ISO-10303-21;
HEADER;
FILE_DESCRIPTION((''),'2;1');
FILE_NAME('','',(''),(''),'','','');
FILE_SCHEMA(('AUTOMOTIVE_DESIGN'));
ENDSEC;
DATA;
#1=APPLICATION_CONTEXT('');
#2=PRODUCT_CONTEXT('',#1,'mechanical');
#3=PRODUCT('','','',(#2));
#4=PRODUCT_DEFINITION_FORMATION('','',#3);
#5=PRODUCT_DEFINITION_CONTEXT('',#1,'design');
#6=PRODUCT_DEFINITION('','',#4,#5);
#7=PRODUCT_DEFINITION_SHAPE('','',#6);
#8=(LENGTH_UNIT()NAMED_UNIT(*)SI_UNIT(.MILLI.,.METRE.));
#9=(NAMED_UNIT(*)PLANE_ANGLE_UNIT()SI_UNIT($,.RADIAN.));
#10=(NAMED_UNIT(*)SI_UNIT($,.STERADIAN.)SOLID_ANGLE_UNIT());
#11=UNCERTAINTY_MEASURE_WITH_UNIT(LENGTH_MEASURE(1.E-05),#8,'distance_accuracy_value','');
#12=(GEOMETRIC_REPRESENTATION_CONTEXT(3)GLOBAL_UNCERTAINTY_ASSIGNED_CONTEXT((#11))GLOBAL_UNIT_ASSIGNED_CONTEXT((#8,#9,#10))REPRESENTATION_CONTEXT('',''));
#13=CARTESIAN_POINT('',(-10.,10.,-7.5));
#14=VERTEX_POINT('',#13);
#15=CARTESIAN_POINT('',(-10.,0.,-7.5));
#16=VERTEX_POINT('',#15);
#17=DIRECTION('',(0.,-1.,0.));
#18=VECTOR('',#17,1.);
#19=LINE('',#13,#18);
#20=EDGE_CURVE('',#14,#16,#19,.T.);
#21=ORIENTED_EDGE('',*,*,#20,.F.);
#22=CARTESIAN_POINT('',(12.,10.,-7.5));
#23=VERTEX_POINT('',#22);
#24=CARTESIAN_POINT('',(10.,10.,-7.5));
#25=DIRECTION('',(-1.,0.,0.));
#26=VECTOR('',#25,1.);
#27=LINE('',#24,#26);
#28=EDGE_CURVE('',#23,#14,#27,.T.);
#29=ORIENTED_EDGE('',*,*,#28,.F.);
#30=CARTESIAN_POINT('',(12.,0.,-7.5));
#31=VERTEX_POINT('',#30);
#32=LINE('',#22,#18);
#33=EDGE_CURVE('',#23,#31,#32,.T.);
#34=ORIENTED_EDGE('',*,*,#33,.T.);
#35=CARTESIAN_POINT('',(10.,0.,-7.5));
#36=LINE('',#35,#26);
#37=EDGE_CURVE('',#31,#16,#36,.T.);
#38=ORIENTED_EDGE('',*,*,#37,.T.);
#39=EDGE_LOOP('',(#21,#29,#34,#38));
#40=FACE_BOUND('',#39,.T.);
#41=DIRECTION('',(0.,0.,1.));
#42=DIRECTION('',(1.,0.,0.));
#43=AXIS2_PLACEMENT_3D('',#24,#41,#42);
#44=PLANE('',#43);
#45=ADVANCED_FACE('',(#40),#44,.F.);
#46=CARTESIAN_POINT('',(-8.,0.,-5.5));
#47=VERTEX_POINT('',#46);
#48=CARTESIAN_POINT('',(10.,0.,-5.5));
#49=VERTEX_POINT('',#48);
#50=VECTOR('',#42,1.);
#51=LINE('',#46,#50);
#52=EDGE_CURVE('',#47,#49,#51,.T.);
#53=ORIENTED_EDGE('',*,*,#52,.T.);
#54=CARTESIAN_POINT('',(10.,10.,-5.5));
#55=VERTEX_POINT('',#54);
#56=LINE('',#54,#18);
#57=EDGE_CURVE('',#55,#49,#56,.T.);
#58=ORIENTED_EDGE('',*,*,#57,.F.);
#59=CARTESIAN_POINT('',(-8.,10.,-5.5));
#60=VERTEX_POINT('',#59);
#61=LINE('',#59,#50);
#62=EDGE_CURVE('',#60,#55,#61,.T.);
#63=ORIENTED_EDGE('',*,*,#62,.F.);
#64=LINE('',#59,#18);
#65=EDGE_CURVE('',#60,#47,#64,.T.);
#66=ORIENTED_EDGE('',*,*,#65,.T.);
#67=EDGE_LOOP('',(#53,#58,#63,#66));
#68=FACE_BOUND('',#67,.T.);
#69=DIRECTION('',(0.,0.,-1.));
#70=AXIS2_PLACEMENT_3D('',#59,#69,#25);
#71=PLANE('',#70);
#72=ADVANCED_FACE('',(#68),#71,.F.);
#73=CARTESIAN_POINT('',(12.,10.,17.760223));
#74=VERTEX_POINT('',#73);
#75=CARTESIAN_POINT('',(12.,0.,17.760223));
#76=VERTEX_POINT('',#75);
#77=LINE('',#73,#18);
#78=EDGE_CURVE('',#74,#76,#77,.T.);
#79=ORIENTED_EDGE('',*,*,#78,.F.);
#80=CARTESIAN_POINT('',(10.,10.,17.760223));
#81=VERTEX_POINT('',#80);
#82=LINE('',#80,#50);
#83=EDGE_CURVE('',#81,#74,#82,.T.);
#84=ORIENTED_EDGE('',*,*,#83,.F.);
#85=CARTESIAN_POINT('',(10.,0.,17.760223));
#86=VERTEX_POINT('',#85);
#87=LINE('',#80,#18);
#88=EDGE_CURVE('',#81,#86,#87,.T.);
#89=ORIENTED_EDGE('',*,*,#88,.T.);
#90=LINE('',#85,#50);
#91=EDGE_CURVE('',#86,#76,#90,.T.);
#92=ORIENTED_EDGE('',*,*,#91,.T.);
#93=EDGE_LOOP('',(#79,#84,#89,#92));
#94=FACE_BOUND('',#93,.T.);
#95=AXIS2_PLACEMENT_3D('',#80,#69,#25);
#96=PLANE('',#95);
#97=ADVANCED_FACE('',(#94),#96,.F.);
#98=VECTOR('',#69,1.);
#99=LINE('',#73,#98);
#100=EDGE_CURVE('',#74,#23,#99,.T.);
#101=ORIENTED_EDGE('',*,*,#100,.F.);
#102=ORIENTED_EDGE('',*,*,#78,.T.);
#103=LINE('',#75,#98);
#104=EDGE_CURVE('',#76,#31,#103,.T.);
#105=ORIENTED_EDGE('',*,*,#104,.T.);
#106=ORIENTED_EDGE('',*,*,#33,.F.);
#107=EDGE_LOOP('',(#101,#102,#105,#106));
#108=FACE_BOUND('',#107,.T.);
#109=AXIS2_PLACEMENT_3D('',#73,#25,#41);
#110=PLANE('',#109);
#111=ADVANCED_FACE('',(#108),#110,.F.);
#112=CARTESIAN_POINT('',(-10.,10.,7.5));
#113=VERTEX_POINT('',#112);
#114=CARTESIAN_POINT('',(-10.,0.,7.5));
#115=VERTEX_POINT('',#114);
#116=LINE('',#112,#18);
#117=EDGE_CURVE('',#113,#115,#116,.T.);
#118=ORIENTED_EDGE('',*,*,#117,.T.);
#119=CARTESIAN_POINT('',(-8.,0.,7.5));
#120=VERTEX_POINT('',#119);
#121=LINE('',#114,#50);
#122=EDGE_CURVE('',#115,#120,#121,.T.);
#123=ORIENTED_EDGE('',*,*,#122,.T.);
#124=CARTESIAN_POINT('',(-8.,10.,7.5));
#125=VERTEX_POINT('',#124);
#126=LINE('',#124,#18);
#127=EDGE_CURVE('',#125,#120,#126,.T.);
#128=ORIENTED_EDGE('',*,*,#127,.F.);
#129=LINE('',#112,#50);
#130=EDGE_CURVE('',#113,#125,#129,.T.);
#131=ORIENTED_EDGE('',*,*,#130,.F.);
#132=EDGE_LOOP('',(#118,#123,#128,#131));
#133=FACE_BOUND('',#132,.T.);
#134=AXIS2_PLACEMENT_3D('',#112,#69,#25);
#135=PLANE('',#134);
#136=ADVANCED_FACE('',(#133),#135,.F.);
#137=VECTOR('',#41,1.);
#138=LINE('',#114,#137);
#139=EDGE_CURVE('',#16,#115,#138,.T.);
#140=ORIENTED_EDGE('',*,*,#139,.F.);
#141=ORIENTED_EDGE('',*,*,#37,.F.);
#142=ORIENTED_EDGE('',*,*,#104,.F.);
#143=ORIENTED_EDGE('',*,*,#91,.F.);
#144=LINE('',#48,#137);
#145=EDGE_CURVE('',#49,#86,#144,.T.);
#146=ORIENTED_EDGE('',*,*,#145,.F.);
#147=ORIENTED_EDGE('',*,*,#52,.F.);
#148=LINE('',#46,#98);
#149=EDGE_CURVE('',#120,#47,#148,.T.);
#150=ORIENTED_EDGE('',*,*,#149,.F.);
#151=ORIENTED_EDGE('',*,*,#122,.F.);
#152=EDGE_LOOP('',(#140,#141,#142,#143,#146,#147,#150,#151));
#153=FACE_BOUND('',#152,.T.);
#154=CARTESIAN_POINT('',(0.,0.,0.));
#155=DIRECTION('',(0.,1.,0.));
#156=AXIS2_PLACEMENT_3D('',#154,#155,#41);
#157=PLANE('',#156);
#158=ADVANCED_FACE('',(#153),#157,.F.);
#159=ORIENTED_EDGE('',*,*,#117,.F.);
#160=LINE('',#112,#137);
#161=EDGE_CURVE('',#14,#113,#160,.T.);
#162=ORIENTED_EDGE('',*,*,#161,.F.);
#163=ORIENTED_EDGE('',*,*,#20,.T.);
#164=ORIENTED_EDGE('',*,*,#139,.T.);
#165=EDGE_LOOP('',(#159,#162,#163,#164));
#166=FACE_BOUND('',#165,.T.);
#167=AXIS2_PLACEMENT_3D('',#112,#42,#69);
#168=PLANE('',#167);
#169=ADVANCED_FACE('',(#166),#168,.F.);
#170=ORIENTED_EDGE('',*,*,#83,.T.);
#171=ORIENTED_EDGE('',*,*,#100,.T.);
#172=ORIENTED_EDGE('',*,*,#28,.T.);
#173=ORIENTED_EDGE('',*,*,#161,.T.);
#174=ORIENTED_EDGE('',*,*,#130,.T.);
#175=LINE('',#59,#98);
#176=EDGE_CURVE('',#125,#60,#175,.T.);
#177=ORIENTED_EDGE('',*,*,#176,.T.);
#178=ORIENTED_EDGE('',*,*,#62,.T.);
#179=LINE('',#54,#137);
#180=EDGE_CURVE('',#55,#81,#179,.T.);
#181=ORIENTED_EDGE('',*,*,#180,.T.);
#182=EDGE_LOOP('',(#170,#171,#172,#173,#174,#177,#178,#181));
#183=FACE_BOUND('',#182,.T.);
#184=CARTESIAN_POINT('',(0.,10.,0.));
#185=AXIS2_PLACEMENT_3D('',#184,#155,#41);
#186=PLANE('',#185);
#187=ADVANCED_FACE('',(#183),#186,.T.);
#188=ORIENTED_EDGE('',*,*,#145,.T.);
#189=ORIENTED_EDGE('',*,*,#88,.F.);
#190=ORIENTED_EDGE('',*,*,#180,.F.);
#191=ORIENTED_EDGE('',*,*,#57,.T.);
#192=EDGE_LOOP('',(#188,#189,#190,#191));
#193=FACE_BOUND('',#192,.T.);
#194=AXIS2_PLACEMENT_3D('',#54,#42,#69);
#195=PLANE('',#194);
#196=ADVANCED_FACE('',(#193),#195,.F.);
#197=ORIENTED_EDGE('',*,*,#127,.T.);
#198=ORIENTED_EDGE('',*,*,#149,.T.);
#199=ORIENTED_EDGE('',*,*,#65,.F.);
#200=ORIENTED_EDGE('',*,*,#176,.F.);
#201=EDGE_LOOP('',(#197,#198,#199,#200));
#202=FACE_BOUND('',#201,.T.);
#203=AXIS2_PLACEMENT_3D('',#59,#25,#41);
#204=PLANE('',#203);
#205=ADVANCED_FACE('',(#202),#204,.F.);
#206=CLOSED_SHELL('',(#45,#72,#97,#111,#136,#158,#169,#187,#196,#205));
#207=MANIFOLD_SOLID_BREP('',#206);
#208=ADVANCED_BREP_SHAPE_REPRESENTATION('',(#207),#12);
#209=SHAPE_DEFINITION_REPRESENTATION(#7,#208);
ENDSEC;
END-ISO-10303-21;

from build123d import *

# Parameters (mm, degrees)
EXTRUDE_1_DEPTH = 10


with BuildPart() as part:
    # 草圖1 → 填料-伸長1 (new body)
    with BuildSketch(Plane(origin=(0, 0, 0), x_dir=(1, 0, 0), z_dir=(0, 1, 0))):
        Polygon((-10, -7.5), (-8, -7.5), (-8, 5.5), (10, 5.5), (10, -17.760223048), (12, -17.760223048), (12, 7.5), (10, 7.5), (-10, 7.5), align=None)
    extrude(amount=EXTRUDE_1_DEPTH)


solid = part.part
